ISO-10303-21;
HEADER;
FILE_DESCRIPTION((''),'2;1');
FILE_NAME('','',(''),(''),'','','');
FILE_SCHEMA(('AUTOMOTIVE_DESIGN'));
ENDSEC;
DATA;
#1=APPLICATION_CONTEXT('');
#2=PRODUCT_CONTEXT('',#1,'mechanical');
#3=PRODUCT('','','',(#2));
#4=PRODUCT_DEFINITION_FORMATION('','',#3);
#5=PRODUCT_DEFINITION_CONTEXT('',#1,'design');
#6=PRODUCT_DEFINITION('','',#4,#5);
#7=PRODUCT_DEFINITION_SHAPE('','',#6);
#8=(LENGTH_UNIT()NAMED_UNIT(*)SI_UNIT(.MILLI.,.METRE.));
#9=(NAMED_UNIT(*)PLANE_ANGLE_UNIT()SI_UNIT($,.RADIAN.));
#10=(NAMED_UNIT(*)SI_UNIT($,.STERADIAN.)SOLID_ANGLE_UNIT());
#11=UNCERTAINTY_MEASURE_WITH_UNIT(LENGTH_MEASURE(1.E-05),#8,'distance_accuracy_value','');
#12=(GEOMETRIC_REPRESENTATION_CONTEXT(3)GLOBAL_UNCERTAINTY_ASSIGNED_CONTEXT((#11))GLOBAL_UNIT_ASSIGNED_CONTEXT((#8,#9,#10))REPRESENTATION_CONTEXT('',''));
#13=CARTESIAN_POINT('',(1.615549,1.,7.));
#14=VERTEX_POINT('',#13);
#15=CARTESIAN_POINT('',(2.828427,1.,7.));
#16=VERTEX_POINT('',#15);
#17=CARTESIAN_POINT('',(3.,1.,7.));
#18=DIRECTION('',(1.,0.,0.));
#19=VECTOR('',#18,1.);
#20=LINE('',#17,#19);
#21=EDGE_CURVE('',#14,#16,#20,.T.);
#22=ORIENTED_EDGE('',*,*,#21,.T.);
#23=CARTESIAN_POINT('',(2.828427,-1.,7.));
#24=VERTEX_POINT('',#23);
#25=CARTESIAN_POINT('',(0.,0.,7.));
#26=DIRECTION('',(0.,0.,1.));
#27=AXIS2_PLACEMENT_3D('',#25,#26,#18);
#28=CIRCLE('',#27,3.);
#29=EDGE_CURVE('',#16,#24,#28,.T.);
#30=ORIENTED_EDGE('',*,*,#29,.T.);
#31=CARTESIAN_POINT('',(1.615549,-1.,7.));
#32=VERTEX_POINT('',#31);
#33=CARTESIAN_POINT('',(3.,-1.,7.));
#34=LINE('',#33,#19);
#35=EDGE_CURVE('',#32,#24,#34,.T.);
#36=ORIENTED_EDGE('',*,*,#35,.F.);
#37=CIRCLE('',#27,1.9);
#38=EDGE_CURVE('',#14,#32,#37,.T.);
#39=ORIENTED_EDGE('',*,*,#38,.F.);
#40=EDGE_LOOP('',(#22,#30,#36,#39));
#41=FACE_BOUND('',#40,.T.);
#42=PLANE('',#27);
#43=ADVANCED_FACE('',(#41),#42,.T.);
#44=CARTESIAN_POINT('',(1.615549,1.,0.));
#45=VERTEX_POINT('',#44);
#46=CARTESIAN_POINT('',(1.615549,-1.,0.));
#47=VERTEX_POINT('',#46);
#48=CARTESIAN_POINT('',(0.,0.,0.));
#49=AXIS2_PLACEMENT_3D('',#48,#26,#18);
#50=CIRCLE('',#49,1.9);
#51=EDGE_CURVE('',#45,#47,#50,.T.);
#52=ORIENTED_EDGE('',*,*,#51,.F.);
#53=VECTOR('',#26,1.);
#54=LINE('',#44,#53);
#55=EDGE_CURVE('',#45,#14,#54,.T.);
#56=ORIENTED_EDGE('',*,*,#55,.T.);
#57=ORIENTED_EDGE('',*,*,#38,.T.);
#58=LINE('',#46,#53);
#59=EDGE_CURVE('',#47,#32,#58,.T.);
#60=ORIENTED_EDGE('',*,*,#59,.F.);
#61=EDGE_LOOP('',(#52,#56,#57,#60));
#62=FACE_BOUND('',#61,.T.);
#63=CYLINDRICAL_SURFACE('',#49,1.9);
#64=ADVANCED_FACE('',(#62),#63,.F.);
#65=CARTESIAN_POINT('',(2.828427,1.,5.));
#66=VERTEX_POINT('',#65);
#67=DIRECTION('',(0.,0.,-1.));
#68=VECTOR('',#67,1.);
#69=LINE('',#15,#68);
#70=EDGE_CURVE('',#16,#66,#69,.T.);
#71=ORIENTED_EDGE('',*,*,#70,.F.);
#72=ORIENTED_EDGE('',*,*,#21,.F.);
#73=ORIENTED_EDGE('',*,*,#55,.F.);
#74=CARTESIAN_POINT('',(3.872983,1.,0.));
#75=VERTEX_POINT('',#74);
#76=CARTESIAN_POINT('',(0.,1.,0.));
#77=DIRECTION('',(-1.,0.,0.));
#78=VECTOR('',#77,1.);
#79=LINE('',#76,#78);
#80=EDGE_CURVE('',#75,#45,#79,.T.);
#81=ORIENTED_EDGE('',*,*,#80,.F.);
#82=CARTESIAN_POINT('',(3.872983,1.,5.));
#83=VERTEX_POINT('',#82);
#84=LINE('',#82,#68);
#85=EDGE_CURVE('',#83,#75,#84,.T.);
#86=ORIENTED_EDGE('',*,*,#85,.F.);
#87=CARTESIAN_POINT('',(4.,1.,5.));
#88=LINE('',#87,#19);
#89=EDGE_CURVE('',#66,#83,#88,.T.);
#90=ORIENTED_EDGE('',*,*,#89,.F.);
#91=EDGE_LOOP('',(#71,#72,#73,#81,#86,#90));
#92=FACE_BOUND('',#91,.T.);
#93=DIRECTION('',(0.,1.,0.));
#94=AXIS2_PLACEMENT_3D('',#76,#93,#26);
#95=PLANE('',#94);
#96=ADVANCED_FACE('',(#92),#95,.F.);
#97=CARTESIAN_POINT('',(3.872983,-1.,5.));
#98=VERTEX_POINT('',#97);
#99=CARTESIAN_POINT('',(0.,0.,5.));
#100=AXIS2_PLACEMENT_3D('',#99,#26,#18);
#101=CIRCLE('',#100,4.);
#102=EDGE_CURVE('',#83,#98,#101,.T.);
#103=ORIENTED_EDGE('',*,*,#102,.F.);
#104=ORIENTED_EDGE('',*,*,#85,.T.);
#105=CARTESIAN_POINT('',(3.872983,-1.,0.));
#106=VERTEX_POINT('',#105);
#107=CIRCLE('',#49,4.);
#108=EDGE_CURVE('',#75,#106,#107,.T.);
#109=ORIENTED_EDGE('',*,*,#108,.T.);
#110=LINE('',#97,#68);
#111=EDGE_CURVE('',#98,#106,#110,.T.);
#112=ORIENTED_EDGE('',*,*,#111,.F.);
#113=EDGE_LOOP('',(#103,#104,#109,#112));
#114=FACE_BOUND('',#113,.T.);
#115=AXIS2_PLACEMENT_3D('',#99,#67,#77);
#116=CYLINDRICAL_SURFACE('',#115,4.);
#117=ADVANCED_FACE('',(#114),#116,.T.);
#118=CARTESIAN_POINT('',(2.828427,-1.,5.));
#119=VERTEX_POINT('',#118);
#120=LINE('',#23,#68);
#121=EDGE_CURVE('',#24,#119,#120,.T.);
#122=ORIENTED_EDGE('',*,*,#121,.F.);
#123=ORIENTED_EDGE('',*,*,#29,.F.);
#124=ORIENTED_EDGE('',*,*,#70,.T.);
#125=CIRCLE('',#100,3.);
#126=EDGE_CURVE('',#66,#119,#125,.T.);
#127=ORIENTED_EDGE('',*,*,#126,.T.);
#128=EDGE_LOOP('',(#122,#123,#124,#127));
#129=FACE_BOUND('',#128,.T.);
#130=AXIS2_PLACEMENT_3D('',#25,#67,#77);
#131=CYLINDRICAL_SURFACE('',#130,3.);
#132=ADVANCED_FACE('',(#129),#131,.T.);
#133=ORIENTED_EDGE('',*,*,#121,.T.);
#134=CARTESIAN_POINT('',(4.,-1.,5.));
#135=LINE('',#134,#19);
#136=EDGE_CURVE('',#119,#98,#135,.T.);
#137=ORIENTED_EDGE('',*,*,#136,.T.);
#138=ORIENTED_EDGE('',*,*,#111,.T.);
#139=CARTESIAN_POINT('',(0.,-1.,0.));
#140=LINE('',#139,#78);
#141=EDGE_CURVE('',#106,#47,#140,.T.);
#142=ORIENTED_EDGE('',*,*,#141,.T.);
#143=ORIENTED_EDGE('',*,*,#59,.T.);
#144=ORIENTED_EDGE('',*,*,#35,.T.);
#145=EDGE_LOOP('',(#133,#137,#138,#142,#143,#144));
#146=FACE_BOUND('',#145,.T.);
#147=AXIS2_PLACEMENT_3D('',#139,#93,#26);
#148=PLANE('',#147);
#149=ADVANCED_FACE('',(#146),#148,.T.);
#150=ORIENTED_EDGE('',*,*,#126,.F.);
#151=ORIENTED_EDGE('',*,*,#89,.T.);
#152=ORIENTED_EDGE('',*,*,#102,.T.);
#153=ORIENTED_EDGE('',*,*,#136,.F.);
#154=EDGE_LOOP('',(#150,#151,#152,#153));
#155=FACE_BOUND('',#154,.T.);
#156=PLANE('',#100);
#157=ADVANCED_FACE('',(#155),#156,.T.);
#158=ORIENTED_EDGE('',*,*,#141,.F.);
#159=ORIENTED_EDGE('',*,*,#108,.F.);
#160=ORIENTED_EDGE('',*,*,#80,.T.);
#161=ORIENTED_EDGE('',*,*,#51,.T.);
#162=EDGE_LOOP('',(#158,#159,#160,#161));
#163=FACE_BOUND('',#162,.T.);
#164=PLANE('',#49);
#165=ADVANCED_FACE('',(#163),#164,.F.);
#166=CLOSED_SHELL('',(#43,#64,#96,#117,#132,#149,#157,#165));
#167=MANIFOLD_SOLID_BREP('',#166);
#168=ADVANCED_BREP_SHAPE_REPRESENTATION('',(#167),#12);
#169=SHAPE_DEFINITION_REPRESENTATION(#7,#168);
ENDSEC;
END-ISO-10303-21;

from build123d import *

# Parameters (mm, degrees)
SKETCH_1_R          = 4
EXTRUDE_1_DEPTH     = 5
SKETCH_2_R          = 3
EXTRUDE_2_DEPTH     = 2
SKETCH_3_R          = 1.9
CUT_EXTRUDE_1_DEPTH = 10
CUT_EXTRUDE_2_DEPTH = 1


with BuildPart() as part:
    # 草图1 → 凸台-拉伸1 (new body)
    with BuildSketch(Plane.XY):
        Circle(SKETCH_1_R)
    extrude(amount=EXTRUDE_1_DEPTH)

    # 草图2 → 凸台-拉伸2 (add)
    with BuildSketch(Plane.XY.offset(5)):
        Circle(SKETCH_2_R)
    extrude(amount=EXTRUDE_2_DEPTH)

    # 草图3 → 切除-拉伸1 (cut, through all)
    with BuildSketch(Plane.XY.offset(7)):
        Circle(SKETCH_3_R)
    extrude(amount=-CUT_EXTRUDE_1_DEPTH, mode=Mode.SUBTRACT)

    # 草图4 → 切除-拉伸2 (cut, symmetric)
    with BuildSketch(Plane(origin=(0, 0, 0), x_dir=(1, 0, 0), z_dir=(0, 1, 0))):
        Polygon((0, 0), (4, 0), (4, -5), (3, -5), (3, -7), (0, -7), align=None)
    extrude(amount=CUT_EXTRUDE_2_DEPTH, both=True, mode=Mode.SUBTRACT)


solid = part.part
